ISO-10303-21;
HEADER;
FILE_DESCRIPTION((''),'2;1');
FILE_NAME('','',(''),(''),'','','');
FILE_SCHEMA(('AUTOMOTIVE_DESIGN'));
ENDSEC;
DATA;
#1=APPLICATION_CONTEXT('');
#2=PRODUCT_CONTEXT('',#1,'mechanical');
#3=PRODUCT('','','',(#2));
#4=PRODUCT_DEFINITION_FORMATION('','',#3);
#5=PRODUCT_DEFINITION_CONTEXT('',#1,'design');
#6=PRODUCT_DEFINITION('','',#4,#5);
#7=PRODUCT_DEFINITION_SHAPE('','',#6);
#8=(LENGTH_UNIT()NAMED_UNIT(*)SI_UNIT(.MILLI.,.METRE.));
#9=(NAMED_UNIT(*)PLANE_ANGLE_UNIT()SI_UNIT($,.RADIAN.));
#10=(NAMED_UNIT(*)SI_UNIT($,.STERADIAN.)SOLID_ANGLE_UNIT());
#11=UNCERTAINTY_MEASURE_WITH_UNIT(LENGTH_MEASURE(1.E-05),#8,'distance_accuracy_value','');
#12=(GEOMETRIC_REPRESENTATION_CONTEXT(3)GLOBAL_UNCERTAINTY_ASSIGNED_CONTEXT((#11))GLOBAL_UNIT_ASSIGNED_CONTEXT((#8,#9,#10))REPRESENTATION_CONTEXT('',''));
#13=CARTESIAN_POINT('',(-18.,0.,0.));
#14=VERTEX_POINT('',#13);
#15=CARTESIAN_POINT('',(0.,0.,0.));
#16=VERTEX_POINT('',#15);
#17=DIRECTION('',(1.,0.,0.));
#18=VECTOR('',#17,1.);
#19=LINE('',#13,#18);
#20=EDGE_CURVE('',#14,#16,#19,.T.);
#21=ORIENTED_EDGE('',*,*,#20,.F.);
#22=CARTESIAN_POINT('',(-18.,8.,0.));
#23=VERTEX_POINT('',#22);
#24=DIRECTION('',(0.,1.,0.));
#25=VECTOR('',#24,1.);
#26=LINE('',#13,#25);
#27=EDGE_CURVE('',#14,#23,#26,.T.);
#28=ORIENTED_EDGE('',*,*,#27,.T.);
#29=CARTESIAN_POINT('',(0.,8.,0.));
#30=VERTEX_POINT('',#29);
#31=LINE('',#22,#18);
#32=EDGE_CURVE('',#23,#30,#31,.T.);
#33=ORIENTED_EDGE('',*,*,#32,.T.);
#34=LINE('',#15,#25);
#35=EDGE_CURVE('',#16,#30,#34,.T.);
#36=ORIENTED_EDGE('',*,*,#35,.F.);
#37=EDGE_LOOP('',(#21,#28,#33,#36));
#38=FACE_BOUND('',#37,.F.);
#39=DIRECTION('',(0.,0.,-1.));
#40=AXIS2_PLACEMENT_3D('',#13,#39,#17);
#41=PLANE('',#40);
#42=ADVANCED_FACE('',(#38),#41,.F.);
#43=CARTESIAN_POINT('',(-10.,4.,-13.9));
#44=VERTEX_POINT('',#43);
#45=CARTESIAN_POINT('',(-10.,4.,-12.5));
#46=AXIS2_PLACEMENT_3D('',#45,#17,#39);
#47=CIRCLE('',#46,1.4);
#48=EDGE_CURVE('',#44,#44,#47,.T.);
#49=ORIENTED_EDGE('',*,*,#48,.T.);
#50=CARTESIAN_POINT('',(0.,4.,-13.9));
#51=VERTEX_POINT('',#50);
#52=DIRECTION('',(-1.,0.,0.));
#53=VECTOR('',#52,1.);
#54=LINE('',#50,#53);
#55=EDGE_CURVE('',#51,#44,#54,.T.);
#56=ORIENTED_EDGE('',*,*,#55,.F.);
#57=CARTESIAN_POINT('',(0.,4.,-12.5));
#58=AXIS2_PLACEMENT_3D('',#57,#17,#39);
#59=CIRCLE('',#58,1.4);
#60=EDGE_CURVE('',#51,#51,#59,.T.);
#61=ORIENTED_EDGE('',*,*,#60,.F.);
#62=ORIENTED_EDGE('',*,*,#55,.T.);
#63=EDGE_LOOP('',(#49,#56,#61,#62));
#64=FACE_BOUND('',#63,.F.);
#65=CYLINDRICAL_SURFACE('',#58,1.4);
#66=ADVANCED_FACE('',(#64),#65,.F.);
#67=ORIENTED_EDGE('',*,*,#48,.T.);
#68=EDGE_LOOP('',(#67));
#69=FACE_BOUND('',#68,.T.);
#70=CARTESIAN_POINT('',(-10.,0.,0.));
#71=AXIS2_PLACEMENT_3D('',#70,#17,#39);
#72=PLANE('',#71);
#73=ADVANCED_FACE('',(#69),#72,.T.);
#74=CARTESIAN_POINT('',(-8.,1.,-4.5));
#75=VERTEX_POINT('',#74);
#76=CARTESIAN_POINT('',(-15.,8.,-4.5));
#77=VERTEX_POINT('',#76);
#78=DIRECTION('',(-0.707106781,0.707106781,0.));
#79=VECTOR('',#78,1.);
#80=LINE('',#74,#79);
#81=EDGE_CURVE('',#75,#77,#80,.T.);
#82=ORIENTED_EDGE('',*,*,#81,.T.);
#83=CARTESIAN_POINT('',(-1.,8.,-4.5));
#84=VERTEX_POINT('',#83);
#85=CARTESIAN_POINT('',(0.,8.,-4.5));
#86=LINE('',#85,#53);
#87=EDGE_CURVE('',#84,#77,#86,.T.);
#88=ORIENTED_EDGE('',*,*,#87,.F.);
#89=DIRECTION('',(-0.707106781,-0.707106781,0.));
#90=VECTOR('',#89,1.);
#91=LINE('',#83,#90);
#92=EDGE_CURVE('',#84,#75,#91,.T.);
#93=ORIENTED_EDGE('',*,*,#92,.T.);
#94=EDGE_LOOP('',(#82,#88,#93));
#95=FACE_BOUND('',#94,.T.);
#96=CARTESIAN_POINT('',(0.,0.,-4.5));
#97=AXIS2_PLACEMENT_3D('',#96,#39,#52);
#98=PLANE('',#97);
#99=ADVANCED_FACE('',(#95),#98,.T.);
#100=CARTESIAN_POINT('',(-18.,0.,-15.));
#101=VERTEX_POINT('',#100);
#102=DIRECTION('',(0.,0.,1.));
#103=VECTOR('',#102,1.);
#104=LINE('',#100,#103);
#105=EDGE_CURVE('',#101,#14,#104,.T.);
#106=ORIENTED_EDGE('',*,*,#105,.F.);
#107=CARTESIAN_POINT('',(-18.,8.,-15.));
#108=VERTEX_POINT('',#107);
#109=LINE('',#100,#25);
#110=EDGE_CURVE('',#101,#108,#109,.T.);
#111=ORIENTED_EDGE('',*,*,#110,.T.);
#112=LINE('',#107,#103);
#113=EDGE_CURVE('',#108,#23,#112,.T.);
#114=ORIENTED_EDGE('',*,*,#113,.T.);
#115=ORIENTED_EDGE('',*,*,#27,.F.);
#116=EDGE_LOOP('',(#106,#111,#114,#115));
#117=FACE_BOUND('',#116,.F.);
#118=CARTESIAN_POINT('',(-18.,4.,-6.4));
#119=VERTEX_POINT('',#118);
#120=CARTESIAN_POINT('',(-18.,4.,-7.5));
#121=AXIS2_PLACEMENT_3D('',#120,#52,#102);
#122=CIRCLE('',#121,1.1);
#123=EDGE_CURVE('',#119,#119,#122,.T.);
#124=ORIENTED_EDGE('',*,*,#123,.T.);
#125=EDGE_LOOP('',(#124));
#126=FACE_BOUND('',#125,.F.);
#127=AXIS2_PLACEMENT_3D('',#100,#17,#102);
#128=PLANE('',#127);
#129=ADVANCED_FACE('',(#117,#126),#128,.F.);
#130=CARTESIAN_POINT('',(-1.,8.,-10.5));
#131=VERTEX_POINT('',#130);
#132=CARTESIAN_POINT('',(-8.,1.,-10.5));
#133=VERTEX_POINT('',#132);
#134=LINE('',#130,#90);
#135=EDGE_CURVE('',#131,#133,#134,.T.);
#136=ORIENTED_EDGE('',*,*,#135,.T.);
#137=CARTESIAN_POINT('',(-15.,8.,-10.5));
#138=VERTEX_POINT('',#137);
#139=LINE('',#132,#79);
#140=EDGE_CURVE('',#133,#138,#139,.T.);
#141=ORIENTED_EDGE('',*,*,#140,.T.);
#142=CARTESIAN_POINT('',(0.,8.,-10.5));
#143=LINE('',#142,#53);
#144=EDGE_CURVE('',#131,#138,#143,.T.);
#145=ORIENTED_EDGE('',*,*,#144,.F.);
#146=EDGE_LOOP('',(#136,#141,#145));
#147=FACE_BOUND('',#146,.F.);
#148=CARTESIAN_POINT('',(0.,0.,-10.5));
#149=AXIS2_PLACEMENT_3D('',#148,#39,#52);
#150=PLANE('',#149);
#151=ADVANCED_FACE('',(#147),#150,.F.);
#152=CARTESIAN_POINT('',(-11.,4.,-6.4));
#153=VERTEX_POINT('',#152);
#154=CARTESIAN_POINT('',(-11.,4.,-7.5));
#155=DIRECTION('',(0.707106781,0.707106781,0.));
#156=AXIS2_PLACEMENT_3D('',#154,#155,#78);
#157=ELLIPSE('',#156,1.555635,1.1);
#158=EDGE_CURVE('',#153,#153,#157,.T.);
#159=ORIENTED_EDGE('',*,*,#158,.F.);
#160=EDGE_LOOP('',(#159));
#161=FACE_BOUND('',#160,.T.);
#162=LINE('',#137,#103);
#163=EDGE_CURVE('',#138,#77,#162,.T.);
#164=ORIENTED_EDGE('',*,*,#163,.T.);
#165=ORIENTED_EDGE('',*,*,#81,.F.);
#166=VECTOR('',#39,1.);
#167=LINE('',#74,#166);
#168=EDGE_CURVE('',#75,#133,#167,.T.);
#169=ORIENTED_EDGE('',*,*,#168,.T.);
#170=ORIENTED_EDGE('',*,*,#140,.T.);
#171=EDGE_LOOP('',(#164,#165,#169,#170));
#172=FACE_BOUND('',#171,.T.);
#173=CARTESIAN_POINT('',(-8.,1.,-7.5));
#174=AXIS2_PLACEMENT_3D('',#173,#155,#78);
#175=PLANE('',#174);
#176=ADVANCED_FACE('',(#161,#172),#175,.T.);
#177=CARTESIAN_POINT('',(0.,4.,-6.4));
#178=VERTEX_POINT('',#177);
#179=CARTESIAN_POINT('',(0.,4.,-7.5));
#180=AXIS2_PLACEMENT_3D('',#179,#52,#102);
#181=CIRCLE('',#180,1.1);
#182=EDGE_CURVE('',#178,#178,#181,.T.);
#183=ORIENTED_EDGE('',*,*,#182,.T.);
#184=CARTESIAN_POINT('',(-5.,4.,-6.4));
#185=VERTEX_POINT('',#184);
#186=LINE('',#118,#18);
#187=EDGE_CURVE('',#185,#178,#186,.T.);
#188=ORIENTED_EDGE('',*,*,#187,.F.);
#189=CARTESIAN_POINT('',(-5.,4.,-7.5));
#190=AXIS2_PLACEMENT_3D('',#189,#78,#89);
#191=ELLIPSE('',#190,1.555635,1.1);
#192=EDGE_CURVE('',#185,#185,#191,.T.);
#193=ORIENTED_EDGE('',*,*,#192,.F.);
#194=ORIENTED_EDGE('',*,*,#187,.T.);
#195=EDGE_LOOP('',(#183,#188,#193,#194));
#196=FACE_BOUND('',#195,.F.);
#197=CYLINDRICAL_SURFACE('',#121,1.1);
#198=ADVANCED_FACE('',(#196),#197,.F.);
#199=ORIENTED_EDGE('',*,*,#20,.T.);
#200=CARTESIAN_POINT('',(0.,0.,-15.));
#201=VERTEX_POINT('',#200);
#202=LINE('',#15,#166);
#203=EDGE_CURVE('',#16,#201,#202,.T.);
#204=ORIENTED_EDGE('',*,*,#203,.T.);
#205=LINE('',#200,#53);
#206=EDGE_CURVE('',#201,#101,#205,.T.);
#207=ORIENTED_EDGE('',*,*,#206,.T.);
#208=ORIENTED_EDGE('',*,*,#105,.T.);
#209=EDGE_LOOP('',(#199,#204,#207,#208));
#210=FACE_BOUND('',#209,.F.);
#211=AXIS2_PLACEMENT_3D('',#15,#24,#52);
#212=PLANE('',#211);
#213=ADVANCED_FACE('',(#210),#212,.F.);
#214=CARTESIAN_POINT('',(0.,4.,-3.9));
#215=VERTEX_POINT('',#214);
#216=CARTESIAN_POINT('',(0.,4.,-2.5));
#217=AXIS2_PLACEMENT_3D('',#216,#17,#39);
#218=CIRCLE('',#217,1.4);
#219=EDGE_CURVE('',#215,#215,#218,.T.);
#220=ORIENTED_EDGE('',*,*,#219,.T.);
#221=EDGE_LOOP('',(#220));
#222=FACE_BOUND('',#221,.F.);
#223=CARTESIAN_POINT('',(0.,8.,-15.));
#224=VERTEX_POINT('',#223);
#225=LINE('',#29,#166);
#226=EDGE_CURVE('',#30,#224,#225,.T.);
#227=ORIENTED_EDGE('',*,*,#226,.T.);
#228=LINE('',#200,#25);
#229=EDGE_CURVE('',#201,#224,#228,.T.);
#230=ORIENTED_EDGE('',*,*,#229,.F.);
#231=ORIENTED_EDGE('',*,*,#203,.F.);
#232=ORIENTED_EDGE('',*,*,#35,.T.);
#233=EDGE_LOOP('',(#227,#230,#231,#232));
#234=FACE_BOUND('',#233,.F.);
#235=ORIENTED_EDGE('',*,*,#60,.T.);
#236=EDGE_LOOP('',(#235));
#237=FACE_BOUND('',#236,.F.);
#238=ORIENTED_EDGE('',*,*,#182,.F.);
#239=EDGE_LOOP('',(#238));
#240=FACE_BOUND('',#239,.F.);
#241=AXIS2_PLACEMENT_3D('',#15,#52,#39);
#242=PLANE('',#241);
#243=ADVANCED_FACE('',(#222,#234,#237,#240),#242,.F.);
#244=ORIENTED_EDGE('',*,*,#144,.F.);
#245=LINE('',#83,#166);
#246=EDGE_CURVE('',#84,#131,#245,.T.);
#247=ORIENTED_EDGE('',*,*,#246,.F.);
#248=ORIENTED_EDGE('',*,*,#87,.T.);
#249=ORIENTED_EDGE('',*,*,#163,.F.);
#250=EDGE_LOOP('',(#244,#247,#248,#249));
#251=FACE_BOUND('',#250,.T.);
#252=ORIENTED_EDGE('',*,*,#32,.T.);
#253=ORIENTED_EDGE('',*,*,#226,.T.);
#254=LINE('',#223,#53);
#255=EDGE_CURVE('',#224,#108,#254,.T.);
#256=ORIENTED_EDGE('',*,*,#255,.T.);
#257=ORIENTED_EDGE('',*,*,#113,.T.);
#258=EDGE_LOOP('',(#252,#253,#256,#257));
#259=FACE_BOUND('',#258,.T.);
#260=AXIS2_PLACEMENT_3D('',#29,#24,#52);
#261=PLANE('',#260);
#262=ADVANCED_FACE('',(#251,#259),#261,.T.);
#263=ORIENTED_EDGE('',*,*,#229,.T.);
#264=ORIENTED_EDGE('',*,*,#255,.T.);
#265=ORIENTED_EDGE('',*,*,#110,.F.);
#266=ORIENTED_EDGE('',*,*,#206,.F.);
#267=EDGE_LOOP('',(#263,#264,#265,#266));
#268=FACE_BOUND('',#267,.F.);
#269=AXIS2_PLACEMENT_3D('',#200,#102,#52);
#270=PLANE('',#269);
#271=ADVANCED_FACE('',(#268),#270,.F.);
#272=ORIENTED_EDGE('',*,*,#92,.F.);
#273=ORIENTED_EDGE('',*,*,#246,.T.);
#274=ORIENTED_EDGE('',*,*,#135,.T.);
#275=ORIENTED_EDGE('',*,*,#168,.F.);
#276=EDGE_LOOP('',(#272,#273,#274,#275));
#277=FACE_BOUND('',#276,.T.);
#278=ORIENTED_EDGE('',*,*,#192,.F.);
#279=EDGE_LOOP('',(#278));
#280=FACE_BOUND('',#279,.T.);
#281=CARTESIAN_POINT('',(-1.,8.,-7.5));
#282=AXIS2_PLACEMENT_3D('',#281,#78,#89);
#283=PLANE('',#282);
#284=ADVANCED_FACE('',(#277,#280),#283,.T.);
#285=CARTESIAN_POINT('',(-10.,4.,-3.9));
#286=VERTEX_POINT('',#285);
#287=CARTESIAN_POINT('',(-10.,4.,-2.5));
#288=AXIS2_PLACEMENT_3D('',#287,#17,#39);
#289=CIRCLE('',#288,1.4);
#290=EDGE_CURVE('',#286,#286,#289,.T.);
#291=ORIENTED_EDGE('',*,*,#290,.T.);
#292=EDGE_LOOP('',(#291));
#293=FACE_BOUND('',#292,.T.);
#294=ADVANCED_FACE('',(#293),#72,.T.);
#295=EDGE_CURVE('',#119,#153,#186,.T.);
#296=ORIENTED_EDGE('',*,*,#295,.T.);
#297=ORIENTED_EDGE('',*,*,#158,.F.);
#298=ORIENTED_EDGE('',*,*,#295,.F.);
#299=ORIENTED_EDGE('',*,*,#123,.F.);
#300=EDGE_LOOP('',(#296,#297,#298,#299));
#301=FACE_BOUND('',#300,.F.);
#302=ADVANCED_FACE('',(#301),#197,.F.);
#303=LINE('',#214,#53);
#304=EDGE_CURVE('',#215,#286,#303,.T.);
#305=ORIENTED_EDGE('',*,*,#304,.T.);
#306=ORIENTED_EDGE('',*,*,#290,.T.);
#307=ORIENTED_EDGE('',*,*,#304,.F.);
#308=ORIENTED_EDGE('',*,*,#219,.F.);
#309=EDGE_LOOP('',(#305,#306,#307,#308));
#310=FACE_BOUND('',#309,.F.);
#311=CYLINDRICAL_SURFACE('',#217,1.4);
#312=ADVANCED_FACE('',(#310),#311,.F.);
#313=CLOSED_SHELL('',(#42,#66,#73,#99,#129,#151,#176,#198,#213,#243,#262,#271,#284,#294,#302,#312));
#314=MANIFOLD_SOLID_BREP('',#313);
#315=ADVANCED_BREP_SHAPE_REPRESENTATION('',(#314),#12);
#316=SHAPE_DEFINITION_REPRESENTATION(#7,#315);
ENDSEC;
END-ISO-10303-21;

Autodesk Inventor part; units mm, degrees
ref_plane "YZ Plane" through (0, 0, 0) normal (1, 0, 0) x (0, 1, 0)
ref_plane "XZ Plane" through (0, 0, 0) normal (0, 1, 0) x (-1, 0, 0)
sketch "Náčrt1" plane through (0, 0, 0) normal (0, 1, 0) x (-1, 0, 0)
  line L0 (0, 0) -> (0, -15)
  line L1 (0, -15) -> (18, -15)
  line L2 (18, -15) -> (18, 0)
  line L3 (18, 0) -> (0, 0)
  dimension "d0" = 15
  dimension "d1" = 18
extrude "Vysunutí1" add sketch "Náčrt1" along normal blind 8
sketch "Náčrt2" plane through (0, 0, 0) normal (1, 0, 0) x (0, 0, -1)
  line L0 (0, 0) -> (15, 0) projected
  line L1 (15, 0) -> (15, 8) projected
  line L2 (0, 8) -> (15, 8) projected
  line L3 (0, 0) -> (0, 8) projected
  circle A0 centre (12.5, 4) radius 1.4
  line L4 (15, 8) -> (0, 8) projected
  line L5 (7.5, 8) -> (7.5, 0) construction
  circle A1 centre (2.5, 4) radius 1.4
  point P0 (15, 4)
  dimension "d4" = 10
  dimension "d7" = 2.8
extrude "Vysunutí2" cut sketch "Náčrt2" against normal blind 10 contours A0 | A1
sketch "Náčrt3" plane through (-18, 0, -15) normal (-1, 0, 0) x (0, 0, 1)
  line L0 (0, 0) -> (15, 0) projected
  line L1 (15, 0) -> (15, 8) projected
  line L2 (0, 8) -> (15, 8) projected
  line L3 (0, 0) -> (0, 8) projected
  circle A0 centre (7.5, 4) radius 1.1
  point P0 (15, 0)
  dimension "d8" = 2.2
extrude "Vysunutí3" cut sketch "Náčrt3" against normal through all contours A0
ref_plane "Pracovní rovina1" through (0, 0, -7.5) normal (0, 0, -1) x (-1, 0, 0)
sketch "Náčrt4" plane through (0, 0, -7.5) normal (0, 0, -1) x (-1, 0, 0)
  line L0 (0, 0) -> (18, 0) projected
  line L1 (18, 0) -> (18, 8) projected
  line L2 (0, 8) -> (18, 8) projected
  line L3 (0, 0) -> (0, 8) projected
  line L4 (1, 8) -> (8, 1)
  line L5 (8, 1) -> (15, 8)
  point P0 (0, 0)
  dimension "d11" = 90
  dimension "d12" = 7
  dimension "d15" = 8
extrude "Vysunutí4" cut sketch "Náčrt4" along normal mid plane 6 contours L2 L5 L4
properties part number "uchyceni_pruziny"
